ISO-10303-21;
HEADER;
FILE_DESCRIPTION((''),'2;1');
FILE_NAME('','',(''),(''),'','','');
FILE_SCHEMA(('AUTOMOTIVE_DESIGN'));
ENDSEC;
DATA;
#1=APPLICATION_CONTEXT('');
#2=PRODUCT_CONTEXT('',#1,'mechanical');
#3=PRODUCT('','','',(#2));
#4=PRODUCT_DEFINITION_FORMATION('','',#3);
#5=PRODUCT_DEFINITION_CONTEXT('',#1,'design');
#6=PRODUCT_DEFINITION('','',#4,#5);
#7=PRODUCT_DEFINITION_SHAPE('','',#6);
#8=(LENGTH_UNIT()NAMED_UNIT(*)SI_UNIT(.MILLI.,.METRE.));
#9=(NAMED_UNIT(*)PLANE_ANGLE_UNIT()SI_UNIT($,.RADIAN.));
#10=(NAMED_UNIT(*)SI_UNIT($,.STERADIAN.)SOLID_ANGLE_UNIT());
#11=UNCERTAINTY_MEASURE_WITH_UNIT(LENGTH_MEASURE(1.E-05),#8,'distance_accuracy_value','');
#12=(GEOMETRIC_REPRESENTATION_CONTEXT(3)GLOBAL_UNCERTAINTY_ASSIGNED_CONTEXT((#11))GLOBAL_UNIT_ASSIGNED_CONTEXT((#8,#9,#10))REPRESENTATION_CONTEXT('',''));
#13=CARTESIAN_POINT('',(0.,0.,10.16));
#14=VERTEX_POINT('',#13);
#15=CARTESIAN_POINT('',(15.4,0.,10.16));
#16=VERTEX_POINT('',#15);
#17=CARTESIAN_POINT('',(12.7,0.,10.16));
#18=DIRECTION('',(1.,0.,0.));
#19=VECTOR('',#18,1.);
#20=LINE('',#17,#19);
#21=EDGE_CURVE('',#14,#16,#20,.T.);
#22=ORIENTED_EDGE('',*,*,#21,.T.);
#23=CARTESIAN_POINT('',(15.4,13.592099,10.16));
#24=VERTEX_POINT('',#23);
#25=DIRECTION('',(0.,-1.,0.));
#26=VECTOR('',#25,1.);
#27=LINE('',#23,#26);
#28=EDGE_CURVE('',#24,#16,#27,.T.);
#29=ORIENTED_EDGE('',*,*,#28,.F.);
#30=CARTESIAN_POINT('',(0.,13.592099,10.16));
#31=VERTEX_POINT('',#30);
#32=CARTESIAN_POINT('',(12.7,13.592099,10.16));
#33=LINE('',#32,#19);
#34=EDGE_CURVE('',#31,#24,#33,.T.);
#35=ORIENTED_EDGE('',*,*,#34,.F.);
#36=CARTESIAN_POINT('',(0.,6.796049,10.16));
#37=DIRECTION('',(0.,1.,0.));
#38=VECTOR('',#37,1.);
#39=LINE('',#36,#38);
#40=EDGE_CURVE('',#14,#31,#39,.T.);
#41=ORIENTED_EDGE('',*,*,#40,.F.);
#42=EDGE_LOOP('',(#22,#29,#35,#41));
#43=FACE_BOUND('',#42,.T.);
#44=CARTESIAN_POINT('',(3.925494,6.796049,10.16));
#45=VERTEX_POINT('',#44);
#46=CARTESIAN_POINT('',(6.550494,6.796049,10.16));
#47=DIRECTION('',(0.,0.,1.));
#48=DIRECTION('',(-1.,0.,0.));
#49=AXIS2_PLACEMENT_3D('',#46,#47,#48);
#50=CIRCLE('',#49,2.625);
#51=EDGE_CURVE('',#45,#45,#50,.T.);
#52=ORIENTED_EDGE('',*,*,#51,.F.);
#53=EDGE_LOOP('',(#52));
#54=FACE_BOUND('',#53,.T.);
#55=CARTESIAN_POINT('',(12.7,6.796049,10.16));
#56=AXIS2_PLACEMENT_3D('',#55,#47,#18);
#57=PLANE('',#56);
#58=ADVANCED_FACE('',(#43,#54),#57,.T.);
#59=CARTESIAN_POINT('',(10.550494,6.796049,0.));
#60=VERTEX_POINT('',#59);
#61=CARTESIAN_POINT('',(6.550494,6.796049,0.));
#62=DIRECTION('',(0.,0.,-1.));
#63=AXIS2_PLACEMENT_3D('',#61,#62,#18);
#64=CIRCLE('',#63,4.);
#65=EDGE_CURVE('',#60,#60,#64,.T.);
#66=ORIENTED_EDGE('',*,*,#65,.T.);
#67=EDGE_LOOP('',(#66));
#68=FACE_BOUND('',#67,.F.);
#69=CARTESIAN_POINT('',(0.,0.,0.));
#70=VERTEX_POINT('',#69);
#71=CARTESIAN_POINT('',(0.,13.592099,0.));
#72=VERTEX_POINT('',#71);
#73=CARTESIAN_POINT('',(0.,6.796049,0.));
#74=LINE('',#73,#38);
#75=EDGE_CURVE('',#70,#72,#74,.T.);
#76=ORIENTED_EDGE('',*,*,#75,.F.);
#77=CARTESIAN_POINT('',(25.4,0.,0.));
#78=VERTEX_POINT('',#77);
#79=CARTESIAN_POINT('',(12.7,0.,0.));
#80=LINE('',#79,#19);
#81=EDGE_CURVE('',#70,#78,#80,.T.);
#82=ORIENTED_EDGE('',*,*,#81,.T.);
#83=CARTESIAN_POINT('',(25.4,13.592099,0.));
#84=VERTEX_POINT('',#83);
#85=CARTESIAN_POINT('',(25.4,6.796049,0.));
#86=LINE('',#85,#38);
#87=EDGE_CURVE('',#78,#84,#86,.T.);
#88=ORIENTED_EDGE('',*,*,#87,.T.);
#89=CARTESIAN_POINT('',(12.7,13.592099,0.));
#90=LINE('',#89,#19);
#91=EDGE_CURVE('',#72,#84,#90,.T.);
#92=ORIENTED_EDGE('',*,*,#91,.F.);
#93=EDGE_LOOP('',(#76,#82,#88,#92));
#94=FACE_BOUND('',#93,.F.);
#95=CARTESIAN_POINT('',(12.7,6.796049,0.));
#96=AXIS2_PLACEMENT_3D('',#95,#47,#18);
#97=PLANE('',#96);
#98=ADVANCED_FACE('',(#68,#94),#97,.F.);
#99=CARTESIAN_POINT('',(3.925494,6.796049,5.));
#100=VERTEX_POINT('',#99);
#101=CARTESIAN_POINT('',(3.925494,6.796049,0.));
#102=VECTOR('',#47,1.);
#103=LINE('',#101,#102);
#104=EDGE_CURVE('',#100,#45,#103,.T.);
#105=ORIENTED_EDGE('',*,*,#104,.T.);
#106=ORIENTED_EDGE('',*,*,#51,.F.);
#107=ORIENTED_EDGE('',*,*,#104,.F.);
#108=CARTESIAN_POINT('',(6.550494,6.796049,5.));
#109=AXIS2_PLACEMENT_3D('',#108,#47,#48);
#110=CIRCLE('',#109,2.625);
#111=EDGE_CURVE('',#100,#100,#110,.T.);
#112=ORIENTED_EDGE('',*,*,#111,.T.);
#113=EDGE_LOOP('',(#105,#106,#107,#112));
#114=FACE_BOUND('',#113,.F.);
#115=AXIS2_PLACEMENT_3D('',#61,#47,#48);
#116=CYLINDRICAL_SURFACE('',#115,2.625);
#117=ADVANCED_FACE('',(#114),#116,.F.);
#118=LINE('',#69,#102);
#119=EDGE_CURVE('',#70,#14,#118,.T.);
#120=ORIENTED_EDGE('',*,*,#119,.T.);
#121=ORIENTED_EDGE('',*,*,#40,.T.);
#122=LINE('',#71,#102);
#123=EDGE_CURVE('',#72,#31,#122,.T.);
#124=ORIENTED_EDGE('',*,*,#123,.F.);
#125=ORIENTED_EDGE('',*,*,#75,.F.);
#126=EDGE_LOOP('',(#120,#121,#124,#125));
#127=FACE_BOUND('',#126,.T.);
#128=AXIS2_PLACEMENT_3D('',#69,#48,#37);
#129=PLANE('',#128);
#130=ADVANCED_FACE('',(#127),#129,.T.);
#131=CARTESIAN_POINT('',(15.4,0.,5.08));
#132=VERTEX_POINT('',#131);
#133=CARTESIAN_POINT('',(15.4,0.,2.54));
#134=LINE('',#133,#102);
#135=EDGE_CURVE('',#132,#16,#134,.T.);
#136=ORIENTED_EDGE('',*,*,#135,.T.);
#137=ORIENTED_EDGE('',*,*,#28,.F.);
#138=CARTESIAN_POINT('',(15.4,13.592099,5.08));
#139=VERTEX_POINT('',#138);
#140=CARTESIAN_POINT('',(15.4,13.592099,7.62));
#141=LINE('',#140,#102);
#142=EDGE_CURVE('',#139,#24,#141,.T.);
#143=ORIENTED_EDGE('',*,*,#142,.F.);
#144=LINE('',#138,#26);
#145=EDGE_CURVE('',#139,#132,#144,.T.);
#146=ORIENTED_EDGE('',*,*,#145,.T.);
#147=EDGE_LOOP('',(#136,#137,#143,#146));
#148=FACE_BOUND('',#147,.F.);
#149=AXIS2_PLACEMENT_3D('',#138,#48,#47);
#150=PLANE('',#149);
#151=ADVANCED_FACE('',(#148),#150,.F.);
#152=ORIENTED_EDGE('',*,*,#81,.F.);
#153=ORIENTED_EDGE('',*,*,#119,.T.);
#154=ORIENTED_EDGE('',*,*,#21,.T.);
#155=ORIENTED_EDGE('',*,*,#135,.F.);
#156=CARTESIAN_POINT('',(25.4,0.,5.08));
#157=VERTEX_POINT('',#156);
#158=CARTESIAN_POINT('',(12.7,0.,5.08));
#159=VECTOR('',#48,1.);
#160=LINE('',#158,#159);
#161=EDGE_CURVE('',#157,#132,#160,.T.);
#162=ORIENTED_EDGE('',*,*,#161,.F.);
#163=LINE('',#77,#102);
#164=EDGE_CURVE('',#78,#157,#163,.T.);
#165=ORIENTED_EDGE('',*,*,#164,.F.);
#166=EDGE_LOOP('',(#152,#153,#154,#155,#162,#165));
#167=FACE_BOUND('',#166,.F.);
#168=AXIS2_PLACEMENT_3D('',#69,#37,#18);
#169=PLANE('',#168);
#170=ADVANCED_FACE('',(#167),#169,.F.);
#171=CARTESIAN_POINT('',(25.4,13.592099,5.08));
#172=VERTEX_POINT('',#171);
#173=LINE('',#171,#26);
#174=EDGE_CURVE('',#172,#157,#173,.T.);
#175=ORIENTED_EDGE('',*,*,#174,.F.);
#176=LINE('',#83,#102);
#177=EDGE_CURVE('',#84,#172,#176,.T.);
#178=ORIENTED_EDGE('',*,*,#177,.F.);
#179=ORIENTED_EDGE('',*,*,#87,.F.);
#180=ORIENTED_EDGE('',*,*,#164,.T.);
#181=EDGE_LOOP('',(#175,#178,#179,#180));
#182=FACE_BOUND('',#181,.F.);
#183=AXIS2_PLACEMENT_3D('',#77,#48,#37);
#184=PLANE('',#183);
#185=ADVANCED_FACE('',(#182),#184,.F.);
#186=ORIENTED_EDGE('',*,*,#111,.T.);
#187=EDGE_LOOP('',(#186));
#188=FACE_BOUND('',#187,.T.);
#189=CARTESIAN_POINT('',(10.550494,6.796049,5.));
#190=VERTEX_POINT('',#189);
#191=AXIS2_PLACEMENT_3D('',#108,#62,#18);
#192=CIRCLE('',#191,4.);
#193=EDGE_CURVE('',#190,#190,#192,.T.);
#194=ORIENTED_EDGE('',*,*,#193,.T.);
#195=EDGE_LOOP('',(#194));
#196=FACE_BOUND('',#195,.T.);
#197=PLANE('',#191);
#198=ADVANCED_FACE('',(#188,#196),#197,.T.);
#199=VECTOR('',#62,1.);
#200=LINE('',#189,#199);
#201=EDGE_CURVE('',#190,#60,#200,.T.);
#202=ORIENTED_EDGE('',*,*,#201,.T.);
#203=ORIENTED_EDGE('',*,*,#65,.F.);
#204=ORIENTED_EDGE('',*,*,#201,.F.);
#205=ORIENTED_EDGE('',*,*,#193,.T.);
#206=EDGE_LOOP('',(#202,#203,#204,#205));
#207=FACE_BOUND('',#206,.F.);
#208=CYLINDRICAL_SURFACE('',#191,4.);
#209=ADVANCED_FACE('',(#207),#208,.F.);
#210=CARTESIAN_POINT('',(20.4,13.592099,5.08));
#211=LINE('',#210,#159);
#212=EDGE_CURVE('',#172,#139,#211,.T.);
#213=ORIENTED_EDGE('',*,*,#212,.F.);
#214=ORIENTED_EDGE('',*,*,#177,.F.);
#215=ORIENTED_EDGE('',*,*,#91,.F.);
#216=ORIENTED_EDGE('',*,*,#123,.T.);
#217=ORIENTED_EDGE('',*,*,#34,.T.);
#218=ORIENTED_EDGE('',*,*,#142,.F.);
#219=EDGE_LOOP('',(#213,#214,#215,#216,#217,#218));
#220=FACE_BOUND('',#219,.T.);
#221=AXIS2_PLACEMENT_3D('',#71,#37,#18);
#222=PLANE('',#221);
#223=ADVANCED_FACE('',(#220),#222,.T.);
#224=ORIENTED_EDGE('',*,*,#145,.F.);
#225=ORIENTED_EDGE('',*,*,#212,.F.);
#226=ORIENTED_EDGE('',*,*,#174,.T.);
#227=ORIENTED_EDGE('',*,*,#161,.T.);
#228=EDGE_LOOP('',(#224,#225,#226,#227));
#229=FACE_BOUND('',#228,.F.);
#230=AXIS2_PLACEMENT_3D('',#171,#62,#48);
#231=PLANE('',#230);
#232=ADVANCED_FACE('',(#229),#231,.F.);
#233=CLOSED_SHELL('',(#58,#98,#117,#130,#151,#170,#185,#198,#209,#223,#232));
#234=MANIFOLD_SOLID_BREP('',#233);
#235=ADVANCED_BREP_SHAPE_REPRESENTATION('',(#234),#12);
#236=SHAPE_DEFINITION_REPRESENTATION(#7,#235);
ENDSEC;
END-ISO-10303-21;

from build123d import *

# Parameters (mm, degrees)
F0_W           = 25.4
F0_H           = 13.5920988396
F1_DEPTH       = 10.16
F2_D           = 5.25
F2_CBORE_D     = 8
F2_CBORE_DEPTH = 5
F3_W           = 10
F3_H           = 5.08
F4_DEPTH       = 25.4


with BuildPart() as f1:
    # F0 (on Top) → F1 (new body)
    with BuildSketch(Plane.XY):
        with Locations((12.7, 6.7960494198)):
            Rectangle(F0_W, F0_H)
    extrude(amount=F1_DEPTH)

    # F2 (through all)
    with Locations(Plane(origin=(0, 0, 0), x_dir=(1, 0, 0), z_dir=(0, 0, -1))):
        with Locations((6.5504941158, -6.7960494198)):
            CounterBoreHole(F2_D / 2, F2_CBORE_D / 2, F2_CBORE_DEPTH)

    # F3 (on face) → F4 (cut)
    with BuildSketch(Plane(origin=(0, 13.5920988396, 0), x_dir=(-1, 0, 0), z_dir=(0, 1, 0))):
        with Locations((-20.4, 7.62)):
            Rectangle(F3_W, F3_H)
    extrude(amount=-F4_DEPTH, mode=Mode.SUBTRACT)


solid = f1.part
